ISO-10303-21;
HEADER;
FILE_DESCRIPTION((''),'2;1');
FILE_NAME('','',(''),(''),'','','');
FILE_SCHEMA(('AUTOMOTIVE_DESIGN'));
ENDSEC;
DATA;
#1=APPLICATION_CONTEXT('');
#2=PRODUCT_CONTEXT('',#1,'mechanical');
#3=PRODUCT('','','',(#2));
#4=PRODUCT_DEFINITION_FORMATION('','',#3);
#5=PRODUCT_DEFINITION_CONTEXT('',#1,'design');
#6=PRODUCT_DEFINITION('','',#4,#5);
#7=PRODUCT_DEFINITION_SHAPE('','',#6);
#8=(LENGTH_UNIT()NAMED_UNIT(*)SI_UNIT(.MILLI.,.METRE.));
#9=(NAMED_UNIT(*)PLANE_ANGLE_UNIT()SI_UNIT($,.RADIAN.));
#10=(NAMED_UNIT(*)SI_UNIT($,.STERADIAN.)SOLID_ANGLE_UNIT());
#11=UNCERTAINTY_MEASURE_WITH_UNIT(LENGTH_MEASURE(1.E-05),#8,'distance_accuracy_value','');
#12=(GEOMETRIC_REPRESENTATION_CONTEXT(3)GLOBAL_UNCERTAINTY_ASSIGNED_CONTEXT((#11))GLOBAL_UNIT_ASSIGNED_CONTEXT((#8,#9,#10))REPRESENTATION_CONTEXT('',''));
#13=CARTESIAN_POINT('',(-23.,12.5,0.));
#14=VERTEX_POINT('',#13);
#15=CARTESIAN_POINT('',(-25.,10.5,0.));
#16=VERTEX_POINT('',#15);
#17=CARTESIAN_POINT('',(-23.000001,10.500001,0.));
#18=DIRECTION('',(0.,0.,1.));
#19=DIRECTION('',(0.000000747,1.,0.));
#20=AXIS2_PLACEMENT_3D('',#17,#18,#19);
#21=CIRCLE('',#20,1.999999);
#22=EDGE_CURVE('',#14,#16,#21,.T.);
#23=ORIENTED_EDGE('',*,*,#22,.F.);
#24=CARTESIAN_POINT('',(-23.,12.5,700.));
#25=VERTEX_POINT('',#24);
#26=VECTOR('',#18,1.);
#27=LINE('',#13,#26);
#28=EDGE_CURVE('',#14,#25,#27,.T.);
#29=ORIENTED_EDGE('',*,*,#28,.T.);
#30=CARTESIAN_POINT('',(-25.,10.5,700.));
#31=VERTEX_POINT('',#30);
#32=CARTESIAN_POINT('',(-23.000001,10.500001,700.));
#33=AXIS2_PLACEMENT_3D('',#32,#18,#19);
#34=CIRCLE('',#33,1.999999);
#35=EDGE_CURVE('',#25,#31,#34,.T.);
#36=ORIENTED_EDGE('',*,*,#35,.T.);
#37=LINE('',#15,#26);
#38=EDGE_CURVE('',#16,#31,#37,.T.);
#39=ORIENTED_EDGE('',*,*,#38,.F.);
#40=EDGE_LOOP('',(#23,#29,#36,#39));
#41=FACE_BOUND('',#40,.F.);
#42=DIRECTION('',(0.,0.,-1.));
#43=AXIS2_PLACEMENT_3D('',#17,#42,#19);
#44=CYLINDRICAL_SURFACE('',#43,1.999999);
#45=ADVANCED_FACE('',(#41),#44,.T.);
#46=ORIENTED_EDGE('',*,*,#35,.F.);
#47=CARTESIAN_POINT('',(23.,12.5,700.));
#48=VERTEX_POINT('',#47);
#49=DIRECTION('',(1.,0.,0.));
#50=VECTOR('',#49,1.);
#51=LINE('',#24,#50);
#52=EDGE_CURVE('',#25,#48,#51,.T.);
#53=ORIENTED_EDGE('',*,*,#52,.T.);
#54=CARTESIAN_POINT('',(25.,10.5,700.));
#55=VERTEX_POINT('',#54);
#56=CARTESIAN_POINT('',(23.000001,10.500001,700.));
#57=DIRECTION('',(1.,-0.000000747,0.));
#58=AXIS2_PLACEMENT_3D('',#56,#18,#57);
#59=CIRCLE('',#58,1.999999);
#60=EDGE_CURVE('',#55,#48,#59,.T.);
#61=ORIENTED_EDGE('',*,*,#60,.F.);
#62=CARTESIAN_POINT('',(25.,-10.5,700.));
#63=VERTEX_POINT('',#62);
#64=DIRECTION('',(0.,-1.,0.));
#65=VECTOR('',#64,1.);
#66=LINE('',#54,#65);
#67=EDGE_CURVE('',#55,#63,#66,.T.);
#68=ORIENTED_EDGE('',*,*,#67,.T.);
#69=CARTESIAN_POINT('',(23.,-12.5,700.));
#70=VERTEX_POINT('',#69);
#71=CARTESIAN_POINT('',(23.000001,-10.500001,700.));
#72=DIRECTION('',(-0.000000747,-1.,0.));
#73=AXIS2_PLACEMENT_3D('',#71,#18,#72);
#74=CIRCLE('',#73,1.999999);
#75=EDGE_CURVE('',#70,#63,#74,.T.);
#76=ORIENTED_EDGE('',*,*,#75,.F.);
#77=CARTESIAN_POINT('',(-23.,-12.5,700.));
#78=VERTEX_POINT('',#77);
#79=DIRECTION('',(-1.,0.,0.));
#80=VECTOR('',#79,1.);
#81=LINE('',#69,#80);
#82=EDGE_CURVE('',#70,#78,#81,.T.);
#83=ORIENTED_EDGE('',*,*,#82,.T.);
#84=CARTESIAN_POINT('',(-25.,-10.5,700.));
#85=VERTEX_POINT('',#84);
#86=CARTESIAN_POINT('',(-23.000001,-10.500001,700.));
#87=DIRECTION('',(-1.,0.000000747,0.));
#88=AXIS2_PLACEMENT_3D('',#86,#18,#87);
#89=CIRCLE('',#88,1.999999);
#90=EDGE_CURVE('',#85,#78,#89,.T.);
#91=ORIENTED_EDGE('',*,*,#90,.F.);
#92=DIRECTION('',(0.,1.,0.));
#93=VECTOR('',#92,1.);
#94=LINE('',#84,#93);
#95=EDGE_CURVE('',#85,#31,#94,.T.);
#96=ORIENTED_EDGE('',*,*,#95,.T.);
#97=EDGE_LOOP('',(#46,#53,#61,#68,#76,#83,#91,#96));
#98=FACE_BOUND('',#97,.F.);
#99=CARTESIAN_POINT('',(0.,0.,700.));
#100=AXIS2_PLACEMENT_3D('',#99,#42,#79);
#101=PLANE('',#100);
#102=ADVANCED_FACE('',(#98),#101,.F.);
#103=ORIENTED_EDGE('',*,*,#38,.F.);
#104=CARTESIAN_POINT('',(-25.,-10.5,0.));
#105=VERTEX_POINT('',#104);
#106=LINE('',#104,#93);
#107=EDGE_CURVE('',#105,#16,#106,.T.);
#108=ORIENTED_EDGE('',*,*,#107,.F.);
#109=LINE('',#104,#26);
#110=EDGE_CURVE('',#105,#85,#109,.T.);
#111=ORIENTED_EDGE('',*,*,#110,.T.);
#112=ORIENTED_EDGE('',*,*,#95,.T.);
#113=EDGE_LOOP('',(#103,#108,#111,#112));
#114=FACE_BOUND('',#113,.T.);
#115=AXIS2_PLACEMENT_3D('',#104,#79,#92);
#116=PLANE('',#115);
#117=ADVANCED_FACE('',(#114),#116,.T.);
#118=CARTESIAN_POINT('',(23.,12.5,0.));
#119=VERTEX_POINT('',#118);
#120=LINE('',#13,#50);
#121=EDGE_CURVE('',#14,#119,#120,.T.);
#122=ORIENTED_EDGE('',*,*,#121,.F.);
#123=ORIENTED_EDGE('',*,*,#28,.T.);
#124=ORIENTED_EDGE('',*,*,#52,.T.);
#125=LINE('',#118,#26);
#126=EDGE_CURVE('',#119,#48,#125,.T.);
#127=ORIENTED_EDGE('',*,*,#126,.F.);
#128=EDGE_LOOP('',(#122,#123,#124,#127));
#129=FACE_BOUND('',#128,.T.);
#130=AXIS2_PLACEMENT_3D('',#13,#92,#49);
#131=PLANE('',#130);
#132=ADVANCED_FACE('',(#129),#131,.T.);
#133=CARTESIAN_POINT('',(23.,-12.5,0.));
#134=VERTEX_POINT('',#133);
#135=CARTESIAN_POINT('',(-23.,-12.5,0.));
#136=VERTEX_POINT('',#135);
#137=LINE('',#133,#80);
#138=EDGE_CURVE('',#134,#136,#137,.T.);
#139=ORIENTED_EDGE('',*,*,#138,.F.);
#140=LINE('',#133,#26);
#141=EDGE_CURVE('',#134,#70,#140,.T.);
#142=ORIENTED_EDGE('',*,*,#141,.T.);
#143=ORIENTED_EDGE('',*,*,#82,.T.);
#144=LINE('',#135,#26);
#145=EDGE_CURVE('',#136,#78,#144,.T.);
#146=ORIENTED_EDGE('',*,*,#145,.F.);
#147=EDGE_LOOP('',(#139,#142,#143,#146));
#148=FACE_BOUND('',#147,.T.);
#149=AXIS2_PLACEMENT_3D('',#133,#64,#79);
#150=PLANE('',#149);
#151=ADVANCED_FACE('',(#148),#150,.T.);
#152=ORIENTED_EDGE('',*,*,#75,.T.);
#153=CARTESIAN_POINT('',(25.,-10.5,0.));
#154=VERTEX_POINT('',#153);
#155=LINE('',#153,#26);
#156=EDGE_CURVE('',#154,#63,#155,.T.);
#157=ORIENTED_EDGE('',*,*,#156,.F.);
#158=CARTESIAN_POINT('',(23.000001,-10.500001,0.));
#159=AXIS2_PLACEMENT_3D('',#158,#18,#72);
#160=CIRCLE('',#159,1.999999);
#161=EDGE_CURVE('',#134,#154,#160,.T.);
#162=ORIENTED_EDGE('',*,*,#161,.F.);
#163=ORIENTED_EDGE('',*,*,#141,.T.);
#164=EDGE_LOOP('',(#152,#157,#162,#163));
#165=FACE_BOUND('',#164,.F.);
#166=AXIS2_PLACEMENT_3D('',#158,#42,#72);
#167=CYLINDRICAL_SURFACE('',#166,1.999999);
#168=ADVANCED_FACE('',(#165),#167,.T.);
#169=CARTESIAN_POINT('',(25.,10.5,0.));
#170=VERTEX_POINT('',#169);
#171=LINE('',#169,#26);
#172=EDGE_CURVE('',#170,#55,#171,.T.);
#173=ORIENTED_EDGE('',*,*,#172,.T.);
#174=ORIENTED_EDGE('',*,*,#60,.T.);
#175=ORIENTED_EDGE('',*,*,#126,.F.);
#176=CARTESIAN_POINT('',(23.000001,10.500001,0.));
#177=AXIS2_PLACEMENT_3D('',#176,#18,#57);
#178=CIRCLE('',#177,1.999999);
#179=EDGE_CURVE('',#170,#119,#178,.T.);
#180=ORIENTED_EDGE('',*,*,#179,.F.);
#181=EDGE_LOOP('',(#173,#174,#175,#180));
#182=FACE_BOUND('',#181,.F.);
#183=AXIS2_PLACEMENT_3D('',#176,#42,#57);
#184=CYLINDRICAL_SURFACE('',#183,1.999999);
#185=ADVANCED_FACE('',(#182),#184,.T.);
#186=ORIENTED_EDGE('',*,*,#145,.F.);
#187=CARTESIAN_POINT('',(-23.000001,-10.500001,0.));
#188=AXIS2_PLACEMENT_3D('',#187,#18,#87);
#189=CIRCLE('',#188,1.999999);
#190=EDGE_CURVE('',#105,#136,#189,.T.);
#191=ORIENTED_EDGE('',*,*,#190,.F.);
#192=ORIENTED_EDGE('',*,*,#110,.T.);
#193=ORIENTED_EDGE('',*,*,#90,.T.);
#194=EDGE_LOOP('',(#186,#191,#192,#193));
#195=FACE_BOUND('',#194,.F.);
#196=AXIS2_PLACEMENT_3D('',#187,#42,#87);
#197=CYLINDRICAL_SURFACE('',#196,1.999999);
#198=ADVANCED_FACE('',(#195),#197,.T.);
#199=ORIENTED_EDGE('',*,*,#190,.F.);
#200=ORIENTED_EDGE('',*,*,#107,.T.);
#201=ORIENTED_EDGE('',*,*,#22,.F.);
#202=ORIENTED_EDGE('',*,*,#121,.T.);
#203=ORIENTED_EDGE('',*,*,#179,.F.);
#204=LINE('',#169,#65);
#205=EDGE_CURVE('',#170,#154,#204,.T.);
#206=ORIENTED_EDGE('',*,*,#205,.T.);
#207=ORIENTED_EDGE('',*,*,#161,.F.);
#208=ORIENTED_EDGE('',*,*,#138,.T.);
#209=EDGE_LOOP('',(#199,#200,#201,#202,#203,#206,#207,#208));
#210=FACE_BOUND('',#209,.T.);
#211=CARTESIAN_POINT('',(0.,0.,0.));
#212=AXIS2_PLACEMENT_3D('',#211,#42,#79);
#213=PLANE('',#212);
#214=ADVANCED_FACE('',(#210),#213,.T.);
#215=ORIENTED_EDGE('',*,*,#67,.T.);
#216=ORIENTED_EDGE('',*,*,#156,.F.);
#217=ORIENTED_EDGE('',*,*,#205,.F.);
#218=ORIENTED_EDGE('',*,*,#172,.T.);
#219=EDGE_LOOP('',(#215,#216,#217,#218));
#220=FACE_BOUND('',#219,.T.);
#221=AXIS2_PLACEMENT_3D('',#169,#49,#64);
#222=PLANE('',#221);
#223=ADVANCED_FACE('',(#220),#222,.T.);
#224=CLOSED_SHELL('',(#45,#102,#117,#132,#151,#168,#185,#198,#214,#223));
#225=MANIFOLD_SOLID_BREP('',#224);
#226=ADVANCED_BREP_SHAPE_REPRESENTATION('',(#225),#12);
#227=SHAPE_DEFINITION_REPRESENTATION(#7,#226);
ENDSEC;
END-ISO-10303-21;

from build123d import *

# Parameters (mm, degrees)
PAD_DEPTH = 700


with BuildPart() as part:
    # Sketch → Pad (new body)
    with BuildSketch(Plane.XY):
        with BuildLine():
            Line((-23, 12.5), (23, 12.5))
            ThreePointArc((25, 10.5), (24.414214, 11.914214), (23, 12.5))
            Line((25, 10.5), (25, -10.5))
            ThreePointArc((23, -12.5), (24.414214, -11.914214), (25, -10.5))
            Line((23, -12.5), (-23, -12.5))
            ThreePointArc((-25, -10.5), (-24.414214, -11.914214), (-23, -12.5))
            Line((-25, -10.5), (-25, 10.5))
            ThreePointArc((-23, 12.5), (-24.414214, 11.914214), (-25, 10.5))
        make_face()
    extrude(amount=PAD_DEPTH)


solid = part.part
